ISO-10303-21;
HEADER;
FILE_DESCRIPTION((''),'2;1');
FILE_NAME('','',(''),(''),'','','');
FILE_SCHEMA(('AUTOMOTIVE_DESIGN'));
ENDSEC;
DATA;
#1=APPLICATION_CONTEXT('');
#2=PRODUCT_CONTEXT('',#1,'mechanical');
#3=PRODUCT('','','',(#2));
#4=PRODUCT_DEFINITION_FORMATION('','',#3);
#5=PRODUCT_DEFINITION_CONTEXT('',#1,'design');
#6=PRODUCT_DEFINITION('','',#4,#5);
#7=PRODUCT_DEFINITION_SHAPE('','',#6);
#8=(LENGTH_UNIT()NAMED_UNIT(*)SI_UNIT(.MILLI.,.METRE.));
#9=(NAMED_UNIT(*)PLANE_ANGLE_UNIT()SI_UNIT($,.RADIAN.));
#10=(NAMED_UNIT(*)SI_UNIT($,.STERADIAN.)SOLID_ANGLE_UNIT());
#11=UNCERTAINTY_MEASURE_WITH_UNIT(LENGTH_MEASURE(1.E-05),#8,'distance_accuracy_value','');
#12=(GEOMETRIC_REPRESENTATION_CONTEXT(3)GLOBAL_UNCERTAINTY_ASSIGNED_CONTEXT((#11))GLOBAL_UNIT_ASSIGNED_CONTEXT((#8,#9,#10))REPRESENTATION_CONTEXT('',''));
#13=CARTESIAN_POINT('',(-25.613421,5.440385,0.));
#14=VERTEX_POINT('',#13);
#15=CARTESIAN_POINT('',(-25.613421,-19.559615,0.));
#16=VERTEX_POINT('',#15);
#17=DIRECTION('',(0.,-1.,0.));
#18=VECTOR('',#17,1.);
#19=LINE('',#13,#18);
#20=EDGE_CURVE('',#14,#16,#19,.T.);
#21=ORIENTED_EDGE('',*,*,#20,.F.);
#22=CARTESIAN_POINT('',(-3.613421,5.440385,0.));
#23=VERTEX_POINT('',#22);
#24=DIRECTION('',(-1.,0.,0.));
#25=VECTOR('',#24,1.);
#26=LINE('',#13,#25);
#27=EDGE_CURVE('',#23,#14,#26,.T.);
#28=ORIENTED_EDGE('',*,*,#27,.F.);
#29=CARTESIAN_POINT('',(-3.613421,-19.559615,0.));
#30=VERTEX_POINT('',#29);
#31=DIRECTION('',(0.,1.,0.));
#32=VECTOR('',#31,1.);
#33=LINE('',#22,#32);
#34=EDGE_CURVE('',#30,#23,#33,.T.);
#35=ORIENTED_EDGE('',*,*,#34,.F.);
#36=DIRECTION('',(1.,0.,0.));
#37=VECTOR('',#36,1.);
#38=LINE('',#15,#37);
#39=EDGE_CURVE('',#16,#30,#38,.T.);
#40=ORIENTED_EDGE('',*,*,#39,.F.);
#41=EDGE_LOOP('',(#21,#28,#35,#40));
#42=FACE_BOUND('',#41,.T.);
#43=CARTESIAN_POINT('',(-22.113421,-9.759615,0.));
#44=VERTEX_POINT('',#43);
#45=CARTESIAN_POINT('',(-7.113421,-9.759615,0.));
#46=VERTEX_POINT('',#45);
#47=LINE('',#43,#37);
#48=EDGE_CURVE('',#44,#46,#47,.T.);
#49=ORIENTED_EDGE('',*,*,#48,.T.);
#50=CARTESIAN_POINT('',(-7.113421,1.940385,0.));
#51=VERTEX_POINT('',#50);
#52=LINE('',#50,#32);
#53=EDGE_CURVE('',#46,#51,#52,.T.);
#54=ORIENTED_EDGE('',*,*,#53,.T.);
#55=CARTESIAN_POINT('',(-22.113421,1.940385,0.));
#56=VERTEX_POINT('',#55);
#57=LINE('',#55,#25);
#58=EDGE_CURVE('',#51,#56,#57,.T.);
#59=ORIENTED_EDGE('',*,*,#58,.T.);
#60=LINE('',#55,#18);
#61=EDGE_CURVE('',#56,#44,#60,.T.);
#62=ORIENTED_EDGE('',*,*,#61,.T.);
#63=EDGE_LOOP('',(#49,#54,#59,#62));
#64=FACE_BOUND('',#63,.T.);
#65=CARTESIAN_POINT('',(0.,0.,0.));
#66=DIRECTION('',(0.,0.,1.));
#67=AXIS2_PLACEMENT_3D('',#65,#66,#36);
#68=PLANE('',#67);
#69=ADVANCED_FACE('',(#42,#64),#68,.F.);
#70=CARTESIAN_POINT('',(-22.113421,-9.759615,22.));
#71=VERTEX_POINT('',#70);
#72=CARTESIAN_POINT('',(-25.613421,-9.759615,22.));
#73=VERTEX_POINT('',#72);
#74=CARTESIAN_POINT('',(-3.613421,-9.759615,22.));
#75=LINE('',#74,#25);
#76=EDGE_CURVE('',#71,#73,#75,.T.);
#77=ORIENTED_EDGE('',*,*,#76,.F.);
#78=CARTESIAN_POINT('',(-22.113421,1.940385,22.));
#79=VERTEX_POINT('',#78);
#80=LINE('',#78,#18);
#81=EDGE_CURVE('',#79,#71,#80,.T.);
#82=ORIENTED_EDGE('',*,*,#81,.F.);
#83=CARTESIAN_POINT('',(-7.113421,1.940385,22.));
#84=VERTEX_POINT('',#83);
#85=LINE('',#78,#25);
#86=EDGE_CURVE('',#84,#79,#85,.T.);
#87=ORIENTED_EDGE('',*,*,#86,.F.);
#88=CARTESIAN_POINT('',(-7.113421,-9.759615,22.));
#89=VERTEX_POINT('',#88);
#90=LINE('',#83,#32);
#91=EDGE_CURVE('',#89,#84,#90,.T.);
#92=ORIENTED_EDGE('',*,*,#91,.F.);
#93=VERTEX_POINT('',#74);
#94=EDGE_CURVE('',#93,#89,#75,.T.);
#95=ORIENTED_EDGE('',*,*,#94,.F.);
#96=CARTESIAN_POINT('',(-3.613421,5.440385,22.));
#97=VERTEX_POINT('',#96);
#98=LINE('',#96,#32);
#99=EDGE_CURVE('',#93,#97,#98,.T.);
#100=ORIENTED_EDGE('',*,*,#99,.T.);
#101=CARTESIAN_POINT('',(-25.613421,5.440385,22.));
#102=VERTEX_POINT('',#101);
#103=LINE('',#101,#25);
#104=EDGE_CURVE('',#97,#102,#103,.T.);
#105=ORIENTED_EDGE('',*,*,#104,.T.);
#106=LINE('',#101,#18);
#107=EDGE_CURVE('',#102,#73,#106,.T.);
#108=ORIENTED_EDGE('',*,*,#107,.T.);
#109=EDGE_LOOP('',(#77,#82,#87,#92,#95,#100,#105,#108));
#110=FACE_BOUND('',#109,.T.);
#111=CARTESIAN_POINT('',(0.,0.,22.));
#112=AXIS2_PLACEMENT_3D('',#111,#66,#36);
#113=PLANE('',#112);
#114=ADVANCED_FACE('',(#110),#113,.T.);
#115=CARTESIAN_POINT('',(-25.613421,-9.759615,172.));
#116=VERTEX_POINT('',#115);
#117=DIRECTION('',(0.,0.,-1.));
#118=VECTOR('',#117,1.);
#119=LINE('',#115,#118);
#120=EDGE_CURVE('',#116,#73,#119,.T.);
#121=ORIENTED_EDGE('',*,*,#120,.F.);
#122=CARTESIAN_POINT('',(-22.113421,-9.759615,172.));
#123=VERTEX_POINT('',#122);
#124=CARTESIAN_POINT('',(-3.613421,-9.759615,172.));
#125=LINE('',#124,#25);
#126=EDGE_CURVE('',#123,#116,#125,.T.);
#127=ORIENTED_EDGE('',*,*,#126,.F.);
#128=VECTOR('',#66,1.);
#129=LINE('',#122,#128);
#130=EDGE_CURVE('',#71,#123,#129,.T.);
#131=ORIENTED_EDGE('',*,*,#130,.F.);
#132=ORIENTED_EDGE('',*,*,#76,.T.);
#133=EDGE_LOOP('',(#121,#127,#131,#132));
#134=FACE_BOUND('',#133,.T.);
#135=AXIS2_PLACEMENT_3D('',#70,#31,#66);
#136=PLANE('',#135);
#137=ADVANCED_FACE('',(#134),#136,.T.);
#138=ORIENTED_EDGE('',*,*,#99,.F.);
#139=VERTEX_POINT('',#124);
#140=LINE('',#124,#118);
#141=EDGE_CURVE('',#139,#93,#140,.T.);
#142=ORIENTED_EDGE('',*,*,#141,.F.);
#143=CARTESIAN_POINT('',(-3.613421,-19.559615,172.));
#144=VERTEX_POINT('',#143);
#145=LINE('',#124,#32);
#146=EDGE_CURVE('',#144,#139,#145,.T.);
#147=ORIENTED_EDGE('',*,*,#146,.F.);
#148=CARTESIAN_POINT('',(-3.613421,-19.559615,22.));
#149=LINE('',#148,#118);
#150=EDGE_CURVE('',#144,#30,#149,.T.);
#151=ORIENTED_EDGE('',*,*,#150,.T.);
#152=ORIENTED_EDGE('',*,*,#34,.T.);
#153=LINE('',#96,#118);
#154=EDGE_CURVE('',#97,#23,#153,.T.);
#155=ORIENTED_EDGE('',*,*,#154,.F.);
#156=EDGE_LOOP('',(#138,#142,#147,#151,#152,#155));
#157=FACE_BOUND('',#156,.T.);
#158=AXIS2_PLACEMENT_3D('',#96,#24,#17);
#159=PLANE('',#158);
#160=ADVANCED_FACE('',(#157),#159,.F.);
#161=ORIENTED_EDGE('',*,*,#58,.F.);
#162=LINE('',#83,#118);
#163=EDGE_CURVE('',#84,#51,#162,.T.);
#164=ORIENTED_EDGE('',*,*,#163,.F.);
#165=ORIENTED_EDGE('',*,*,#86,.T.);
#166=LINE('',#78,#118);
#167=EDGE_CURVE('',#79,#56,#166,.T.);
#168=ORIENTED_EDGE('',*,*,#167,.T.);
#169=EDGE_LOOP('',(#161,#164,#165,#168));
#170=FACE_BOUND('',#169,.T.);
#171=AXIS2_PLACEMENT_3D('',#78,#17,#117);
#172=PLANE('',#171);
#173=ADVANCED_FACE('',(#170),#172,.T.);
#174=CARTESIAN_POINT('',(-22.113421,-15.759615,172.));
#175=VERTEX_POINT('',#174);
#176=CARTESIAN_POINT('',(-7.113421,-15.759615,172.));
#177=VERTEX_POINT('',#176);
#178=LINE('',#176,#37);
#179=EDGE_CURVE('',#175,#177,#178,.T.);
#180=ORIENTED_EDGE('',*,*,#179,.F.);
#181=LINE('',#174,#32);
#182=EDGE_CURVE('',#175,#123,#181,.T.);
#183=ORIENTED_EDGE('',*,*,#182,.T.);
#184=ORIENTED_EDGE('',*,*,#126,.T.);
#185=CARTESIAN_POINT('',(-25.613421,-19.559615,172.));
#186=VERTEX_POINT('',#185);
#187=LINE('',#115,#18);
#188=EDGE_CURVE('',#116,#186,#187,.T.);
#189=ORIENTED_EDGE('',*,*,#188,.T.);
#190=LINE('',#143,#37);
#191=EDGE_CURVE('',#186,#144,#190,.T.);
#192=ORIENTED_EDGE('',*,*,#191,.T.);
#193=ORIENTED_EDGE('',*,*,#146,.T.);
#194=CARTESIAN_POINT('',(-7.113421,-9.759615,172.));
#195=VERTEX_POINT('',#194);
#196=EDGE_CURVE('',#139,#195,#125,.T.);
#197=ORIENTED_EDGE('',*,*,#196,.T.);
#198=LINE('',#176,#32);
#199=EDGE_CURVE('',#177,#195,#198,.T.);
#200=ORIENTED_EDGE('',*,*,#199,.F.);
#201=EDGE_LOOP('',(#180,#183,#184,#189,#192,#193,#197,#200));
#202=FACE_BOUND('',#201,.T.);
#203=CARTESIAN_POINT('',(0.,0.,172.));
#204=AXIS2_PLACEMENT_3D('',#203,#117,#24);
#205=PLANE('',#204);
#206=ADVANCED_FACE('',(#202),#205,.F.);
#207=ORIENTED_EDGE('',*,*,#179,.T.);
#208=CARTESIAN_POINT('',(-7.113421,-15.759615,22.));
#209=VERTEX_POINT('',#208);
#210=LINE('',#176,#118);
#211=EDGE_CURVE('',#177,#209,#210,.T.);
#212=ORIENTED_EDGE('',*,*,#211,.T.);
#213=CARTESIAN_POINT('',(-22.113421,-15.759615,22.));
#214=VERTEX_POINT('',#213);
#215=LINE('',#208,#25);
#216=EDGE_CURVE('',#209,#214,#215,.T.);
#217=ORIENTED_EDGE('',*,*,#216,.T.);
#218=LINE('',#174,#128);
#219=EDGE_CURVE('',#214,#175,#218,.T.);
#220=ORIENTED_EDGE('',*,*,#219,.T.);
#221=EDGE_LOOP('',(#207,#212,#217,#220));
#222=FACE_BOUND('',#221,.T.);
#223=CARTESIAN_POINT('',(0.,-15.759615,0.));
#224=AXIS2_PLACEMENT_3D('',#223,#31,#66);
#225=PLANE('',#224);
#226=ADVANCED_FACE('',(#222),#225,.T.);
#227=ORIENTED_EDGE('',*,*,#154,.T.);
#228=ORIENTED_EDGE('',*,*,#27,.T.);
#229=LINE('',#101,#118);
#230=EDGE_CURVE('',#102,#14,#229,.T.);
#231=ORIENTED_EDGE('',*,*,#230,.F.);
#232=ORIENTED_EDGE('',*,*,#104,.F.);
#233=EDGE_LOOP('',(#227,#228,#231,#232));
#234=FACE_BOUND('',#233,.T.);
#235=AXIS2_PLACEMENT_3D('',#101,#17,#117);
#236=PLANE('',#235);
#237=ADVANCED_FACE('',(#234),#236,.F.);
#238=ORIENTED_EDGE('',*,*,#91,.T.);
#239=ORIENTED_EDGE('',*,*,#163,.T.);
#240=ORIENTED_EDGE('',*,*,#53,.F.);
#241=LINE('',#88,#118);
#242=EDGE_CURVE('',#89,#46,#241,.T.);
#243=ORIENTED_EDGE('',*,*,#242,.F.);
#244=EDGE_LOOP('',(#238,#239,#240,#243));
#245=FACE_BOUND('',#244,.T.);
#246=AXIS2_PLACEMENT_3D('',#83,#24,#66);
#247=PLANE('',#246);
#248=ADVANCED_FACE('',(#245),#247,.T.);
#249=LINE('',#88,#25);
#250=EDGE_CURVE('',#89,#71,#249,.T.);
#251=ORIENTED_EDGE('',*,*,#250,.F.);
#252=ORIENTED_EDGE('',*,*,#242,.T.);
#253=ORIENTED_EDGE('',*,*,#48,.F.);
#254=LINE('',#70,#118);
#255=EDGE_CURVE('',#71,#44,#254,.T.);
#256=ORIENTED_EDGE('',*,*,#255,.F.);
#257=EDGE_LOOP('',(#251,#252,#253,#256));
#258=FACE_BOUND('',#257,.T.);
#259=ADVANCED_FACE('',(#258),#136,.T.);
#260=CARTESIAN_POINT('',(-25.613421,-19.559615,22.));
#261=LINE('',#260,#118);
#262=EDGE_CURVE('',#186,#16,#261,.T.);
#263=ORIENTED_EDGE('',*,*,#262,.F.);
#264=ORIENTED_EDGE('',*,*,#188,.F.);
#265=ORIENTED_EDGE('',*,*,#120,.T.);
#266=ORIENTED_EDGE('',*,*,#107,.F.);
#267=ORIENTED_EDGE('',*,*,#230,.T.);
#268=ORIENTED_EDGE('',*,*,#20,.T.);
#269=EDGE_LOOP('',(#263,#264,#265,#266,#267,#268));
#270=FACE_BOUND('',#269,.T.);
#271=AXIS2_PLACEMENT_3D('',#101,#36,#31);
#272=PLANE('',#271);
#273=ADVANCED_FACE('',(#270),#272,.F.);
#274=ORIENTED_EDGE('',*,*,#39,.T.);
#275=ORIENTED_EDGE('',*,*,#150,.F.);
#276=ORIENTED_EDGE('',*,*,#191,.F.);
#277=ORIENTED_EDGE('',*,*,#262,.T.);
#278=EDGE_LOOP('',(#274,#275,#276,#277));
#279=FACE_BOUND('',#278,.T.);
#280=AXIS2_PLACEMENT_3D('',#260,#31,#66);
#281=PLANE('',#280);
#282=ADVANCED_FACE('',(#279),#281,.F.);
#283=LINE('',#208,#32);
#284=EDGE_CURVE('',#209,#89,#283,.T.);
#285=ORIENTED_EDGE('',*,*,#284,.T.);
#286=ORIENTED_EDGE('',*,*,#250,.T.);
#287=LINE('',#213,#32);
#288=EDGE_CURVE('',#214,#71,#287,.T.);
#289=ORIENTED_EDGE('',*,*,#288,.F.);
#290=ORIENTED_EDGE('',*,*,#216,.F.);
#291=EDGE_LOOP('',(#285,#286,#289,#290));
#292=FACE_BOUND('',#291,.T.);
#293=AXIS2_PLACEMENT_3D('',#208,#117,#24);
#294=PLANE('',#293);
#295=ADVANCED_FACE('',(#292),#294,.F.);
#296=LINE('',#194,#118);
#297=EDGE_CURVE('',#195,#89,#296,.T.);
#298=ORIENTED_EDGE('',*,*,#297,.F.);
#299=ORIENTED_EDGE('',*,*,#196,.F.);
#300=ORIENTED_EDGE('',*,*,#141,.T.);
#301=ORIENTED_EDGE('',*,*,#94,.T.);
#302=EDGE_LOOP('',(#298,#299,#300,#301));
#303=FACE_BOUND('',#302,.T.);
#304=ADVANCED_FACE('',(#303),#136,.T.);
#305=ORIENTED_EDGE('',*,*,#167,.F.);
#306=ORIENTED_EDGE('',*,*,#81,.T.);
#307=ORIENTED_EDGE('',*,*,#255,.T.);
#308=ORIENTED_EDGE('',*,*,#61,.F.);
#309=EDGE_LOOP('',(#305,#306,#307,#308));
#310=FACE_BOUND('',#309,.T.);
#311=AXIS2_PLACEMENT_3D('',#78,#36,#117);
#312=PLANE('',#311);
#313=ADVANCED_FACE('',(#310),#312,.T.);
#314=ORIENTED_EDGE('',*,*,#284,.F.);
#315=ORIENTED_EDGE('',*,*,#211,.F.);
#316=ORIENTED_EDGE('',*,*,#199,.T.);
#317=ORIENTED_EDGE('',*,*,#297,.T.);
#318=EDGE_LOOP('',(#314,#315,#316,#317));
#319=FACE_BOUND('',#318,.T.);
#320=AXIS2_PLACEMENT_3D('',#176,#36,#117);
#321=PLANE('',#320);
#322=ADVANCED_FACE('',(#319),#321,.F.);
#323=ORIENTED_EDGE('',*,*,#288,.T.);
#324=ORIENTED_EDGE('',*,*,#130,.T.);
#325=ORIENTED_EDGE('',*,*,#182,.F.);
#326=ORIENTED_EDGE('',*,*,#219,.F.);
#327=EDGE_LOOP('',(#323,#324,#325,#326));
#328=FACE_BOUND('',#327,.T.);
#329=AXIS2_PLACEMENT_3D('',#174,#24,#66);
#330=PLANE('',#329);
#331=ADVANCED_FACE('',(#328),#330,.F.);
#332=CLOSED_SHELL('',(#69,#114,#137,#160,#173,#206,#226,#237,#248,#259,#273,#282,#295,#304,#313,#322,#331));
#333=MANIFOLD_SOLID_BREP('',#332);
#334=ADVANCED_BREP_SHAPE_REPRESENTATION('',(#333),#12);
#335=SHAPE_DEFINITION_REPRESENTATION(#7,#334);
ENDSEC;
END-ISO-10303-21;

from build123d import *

# Parameters (mm, degrees)
SKETCH_2_W          = 22
SKETCH_2_H          = 25
SKETCH_2_W_2        = 15
SKETCH_2_H_2        = 11.7
EXTRUDE_1_DEPTH     = 22
SKETCH_3_W          = 22
SKETCH_3_H          = 9.8
EXTRUDE_2_DEPTH     = 150
SKETCH_4_W          = 15
SKETCH_4_H          = 150
CUT_EXTRUDE_1_DEPTH = 6


with BuildPart() as part:
    # 草圖2 → 填料-伸長1 (new body)
    with BuildSketch(Plane.XY):
        with Locations((-14.61342143, -7.059615385)):
            Rectangle(SKETCH_2_W, SKETCH_2_H)
        with Locations((-14.61342143, -3.909615385)):
            Rectangle(SKETCH_2_W_2, SKETCH_2_H_2, mode=Mode.SUBTRACT)
    extrude(amount=EXTRUDE_1_DEPTH)

    # 草圖3 → 填料-伸長2 (add)
    with BuildSketch(Plane.XY.offset(22)):
        with Locations((-14.61342143, -14.659615385)):
            Rectangle(SKETCH_3_W, SKETCH_3_H)
    extrude(amount=EXTRUDE_2_DEPTH)

    # 草圖4 → 除料-伸長1 (cut)
    with BuildSketch(Plane(origin=(0, -9.759615385, 0), x_dir=(1, 0, 0), z_dir=(0, 1, 0))):
        with Locations((-14.61342143, -97)):
            Rectangle(SKETCH_4_W, SKETCH_4_H)
    extrude(amount=-CUT_EXTRUDE_1_DEPTH, mode=Mode.SUBTRACT)


solid = part.part
